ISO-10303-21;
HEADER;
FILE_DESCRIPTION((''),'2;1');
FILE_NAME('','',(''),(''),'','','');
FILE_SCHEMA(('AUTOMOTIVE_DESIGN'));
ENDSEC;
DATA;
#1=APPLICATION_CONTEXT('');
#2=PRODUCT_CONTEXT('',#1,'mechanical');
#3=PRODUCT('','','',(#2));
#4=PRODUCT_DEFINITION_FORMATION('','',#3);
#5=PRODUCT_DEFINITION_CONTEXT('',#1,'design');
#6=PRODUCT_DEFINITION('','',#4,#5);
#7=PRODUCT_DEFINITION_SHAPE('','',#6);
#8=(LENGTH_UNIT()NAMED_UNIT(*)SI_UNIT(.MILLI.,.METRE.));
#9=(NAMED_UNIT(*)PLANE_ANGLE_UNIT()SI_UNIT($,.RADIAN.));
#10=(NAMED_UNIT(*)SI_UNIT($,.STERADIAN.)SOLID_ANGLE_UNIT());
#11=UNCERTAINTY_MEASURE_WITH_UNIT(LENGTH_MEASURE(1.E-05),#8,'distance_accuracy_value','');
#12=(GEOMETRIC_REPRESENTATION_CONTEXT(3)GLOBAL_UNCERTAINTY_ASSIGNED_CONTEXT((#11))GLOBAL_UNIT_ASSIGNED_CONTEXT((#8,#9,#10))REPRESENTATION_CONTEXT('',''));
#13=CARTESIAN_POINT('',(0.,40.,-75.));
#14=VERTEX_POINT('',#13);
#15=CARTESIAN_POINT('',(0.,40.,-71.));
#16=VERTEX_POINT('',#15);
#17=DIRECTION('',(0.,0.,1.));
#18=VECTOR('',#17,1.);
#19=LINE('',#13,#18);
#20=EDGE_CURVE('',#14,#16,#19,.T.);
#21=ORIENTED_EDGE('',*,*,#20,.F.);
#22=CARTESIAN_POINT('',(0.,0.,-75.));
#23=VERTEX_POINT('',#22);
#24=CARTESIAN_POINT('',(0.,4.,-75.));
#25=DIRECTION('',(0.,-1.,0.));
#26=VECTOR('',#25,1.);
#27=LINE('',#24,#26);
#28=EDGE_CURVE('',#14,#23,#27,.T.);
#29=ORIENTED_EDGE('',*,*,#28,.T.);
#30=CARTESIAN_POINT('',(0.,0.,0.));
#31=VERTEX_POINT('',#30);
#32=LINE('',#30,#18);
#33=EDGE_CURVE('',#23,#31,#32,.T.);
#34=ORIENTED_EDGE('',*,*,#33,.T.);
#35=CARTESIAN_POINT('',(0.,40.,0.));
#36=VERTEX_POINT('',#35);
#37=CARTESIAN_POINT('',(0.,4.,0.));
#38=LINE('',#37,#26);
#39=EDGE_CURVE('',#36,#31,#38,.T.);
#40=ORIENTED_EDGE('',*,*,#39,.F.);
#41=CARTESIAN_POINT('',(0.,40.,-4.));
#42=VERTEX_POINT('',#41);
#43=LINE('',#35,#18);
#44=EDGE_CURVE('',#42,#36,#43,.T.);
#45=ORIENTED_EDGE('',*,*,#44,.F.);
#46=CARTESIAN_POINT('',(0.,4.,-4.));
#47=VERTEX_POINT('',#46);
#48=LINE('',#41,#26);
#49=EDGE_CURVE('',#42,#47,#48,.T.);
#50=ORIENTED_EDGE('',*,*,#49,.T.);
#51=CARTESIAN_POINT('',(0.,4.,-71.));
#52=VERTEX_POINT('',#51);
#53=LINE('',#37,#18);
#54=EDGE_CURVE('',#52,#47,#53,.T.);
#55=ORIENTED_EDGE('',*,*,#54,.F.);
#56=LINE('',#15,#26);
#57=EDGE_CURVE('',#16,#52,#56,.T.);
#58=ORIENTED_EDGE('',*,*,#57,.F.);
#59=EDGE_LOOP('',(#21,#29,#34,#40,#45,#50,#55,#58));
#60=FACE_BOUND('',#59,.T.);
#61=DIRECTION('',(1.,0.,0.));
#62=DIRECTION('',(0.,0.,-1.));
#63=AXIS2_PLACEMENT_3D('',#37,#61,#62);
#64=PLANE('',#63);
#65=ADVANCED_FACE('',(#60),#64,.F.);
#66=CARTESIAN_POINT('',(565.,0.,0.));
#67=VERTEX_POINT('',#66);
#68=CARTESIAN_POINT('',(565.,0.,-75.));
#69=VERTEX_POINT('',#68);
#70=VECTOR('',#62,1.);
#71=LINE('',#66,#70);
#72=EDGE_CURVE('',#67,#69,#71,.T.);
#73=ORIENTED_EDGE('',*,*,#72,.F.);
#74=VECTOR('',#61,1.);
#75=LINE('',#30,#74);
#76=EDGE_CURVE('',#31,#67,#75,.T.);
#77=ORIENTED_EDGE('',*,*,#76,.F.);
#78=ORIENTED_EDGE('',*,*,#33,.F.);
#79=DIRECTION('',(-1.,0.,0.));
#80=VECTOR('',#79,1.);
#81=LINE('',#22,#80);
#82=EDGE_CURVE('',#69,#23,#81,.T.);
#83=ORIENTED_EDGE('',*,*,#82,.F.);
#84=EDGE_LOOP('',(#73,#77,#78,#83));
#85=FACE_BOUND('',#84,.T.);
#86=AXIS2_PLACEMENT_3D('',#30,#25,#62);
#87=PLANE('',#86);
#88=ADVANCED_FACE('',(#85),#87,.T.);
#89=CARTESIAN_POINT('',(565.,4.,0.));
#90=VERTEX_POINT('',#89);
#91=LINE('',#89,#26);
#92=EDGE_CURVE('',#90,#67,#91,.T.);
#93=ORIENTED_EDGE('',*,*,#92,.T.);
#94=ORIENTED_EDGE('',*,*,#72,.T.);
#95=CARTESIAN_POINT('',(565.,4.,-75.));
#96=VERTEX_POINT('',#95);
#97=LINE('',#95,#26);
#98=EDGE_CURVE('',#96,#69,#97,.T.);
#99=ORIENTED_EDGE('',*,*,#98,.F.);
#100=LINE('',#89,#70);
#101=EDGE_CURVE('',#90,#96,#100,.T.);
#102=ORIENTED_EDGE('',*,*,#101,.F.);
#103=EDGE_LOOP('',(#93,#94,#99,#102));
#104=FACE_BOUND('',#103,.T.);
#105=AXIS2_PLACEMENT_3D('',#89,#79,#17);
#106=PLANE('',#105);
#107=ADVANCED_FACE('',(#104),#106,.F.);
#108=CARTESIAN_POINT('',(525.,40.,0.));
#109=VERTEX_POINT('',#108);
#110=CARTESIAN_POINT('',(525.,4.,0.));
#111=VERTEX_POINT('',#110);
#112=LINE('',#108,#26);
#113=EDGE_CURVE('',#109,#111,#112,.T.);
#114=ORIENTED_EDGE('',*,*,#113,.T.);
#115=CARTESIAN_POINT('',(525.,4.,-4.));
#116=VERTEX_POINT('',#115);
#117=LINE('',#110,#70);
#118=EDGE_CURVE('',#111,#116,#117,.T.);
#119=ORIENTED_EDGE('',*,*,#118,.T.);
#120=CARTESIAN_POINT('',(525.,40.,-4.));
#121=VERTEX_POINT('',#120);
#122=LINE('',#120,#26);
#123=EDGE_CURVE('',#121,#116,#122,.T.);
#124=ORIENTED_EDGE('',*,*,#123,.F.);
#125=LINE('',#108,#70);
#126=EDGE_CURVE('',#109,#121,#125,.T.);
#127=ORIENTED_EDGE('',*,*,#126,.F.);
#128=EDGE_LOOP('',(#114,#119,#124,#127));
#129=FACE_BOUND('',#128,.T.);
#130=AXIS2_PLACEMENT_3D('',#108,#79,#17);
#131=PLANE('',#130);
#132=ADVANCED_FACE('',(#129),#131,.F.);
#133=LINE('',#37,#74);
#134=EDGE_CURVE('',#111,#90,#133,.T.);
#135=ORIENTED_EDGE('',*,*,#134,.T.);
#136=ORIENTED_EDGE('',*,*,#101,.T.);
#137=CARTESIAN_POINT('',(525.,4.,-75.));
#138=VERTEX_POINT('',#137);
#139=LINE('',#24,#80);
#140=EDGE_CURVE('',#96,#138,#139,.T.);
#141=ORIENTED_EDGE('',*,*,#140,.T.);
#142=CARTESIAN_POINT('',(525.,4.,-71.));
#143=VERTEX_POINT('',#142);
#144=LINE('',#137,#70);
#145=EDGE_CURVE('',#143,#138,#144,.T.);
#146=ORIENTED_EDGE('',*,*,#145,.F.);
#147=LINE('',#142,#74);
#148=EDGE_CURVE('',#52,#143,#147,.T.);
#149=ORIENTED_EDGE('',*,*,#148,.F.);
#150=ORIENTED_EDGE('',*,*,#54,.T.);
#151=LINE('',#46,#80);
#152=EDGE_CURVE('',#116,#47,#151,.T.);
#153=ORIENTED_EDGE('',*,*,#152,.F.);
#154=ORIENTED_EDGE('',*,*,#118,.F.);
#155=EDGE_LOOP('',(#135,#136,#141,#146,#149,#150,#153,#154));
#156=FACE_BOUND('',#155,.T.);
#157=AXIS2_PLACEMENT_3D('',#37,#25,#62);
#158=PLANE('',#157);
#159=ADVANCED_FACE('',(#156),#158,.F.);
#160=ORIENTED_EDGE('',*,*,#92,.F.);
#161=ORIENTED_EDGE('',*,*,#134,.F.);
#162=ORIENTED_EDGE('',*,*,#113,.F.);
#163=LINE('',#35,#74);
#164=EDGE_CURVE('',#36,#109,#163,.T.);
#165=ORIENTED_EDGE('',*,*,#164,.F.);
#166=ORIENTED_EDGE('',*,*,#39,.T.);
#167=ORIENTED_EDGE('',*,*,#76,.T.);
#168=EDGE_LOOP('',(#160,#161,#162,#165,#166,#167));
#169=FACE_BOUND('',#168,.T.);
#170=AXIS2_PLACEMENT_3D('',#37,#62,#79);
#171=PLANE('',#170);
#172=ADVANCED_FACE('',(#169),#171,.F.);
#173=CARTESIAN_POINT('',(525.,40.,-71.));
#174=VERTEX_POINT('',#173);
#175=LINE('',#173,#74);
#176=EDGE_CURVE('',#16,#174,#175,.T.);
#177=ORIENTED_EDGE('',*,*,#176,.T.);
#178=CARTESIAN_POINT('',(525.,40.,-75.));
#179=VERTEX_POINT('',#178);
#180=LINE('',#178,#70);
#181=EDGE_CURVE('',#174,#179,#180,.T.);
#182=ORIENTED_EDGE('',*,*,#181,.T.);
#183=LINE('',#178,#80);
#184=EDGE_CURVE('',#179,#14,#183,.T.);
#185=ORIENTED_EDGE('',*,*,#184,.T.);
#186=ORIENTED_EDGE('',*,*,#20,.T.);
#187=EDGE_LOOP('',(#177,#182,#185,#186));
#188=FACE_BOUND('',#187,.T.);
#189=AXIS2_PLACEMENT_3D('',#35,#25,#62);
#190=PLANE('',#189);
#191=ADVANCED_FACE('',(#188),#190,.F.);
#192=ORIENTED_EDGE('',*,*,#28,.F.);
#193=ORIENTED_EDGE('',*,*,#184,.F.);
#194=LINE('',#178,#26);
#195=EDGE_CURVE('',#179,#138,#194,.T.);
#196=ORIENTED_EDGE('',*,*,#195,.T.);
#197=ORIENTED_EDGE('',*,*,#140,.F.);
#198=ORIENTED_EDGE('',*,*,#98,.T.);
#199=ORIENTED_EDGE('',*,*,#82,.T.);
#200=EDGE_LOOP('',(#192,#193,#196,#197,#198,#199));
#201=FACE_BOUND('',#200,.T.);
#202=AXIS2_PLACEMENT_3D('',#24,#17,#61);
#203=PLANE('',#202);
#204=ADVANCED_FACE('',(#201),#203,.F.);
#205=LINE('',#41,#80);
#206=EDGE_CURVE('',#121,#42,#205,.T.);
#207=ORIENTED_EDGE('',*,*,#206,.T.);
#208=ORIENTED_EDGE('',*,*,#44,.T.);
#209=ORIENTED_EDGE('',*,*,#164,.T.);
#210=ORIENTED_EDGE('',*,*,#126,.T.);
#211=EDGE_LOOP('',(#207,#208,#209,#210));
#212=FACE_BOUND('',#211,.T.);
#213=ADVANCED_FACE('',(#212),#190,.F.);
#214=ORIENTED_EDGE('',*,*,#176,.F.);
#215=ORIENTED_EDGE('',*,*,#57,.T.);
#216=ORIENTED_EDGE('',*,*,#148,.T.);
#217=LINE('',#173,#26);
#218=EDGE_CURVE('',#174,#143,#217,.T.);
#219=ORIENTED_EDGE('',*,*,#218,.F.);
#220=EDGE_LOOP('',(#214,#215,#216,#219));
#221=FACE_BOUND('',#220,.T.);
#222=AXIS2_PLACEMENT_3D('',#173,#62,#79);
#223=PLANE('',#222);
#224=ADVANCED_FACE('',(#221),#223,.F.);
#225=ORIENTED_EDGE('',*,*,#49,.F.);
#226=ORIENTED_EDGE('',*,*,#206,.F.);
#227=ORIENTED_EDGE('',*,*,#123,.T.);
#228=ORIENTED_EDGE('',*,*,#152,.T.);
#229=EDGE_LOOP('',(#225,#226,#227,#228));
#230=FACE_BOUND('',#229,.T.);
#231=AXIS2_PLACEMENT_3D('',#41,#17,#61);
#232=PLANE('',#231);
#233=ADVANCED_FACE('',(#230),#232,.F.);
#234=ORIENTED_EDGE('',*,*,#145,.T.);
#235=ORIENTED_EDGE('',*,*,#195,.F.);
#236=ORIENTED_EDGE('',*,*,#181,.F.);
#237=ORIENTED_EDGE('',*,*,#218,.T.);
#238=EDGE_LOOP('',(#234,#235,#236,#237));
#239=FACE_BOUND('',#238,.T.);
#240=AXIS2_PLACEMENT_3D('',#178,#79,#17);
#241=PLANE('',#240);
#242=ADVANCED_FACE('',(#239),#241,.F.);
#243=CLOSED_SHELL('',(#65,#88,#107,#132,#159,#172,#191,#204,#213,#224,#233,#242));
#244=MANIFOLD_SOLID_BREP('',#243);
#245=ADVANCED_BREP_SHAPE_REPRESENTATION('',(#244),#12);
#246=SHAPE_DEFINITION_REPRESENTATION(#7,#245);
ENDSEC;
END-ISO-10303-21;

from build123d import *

# Parameters (mm, degrees)
SKETCH_1_W      = 565
SKETCH_1_H      = 75
EXTRUDE_1_DEPTH = 4
SKETCH_2_W      = 525
SKETCH_2_H      = 4
EXTRUDE_2_DEPTH = 36


with BuildPart() as part:
    # 스케치1 → 보스-돌출1 (new body)
    with BuildSketch(Plane(origin=(0, 0, 0), x_dir=(1, 0, 0), z_dir=(0, 1, 0))):
        with Locations((282.5, 37.5)):
            Rectangle(SKETCH_1_W, SKETCH_1_H)
    extrude(amount=EXTRUDE_1_DEPTH)

    # 스케치2 → 보스-돌출2 (add)
    with BuildSketch(Plane(origin=(0, 4, 0), x_dir=(1, 0, 0), z_dir=(0, 1, 0))):
        with Locations((262.5, 2)):
            Rectangle(SKETCH_2_W, SKETCH_2_H)
        with Locations((262.5, 73)):
            Rectangle(SKETCH_2_W, SKETCH_2_H)
    extrude(amount=EXTRUDE_2_DEPTH)


solid = part.part
